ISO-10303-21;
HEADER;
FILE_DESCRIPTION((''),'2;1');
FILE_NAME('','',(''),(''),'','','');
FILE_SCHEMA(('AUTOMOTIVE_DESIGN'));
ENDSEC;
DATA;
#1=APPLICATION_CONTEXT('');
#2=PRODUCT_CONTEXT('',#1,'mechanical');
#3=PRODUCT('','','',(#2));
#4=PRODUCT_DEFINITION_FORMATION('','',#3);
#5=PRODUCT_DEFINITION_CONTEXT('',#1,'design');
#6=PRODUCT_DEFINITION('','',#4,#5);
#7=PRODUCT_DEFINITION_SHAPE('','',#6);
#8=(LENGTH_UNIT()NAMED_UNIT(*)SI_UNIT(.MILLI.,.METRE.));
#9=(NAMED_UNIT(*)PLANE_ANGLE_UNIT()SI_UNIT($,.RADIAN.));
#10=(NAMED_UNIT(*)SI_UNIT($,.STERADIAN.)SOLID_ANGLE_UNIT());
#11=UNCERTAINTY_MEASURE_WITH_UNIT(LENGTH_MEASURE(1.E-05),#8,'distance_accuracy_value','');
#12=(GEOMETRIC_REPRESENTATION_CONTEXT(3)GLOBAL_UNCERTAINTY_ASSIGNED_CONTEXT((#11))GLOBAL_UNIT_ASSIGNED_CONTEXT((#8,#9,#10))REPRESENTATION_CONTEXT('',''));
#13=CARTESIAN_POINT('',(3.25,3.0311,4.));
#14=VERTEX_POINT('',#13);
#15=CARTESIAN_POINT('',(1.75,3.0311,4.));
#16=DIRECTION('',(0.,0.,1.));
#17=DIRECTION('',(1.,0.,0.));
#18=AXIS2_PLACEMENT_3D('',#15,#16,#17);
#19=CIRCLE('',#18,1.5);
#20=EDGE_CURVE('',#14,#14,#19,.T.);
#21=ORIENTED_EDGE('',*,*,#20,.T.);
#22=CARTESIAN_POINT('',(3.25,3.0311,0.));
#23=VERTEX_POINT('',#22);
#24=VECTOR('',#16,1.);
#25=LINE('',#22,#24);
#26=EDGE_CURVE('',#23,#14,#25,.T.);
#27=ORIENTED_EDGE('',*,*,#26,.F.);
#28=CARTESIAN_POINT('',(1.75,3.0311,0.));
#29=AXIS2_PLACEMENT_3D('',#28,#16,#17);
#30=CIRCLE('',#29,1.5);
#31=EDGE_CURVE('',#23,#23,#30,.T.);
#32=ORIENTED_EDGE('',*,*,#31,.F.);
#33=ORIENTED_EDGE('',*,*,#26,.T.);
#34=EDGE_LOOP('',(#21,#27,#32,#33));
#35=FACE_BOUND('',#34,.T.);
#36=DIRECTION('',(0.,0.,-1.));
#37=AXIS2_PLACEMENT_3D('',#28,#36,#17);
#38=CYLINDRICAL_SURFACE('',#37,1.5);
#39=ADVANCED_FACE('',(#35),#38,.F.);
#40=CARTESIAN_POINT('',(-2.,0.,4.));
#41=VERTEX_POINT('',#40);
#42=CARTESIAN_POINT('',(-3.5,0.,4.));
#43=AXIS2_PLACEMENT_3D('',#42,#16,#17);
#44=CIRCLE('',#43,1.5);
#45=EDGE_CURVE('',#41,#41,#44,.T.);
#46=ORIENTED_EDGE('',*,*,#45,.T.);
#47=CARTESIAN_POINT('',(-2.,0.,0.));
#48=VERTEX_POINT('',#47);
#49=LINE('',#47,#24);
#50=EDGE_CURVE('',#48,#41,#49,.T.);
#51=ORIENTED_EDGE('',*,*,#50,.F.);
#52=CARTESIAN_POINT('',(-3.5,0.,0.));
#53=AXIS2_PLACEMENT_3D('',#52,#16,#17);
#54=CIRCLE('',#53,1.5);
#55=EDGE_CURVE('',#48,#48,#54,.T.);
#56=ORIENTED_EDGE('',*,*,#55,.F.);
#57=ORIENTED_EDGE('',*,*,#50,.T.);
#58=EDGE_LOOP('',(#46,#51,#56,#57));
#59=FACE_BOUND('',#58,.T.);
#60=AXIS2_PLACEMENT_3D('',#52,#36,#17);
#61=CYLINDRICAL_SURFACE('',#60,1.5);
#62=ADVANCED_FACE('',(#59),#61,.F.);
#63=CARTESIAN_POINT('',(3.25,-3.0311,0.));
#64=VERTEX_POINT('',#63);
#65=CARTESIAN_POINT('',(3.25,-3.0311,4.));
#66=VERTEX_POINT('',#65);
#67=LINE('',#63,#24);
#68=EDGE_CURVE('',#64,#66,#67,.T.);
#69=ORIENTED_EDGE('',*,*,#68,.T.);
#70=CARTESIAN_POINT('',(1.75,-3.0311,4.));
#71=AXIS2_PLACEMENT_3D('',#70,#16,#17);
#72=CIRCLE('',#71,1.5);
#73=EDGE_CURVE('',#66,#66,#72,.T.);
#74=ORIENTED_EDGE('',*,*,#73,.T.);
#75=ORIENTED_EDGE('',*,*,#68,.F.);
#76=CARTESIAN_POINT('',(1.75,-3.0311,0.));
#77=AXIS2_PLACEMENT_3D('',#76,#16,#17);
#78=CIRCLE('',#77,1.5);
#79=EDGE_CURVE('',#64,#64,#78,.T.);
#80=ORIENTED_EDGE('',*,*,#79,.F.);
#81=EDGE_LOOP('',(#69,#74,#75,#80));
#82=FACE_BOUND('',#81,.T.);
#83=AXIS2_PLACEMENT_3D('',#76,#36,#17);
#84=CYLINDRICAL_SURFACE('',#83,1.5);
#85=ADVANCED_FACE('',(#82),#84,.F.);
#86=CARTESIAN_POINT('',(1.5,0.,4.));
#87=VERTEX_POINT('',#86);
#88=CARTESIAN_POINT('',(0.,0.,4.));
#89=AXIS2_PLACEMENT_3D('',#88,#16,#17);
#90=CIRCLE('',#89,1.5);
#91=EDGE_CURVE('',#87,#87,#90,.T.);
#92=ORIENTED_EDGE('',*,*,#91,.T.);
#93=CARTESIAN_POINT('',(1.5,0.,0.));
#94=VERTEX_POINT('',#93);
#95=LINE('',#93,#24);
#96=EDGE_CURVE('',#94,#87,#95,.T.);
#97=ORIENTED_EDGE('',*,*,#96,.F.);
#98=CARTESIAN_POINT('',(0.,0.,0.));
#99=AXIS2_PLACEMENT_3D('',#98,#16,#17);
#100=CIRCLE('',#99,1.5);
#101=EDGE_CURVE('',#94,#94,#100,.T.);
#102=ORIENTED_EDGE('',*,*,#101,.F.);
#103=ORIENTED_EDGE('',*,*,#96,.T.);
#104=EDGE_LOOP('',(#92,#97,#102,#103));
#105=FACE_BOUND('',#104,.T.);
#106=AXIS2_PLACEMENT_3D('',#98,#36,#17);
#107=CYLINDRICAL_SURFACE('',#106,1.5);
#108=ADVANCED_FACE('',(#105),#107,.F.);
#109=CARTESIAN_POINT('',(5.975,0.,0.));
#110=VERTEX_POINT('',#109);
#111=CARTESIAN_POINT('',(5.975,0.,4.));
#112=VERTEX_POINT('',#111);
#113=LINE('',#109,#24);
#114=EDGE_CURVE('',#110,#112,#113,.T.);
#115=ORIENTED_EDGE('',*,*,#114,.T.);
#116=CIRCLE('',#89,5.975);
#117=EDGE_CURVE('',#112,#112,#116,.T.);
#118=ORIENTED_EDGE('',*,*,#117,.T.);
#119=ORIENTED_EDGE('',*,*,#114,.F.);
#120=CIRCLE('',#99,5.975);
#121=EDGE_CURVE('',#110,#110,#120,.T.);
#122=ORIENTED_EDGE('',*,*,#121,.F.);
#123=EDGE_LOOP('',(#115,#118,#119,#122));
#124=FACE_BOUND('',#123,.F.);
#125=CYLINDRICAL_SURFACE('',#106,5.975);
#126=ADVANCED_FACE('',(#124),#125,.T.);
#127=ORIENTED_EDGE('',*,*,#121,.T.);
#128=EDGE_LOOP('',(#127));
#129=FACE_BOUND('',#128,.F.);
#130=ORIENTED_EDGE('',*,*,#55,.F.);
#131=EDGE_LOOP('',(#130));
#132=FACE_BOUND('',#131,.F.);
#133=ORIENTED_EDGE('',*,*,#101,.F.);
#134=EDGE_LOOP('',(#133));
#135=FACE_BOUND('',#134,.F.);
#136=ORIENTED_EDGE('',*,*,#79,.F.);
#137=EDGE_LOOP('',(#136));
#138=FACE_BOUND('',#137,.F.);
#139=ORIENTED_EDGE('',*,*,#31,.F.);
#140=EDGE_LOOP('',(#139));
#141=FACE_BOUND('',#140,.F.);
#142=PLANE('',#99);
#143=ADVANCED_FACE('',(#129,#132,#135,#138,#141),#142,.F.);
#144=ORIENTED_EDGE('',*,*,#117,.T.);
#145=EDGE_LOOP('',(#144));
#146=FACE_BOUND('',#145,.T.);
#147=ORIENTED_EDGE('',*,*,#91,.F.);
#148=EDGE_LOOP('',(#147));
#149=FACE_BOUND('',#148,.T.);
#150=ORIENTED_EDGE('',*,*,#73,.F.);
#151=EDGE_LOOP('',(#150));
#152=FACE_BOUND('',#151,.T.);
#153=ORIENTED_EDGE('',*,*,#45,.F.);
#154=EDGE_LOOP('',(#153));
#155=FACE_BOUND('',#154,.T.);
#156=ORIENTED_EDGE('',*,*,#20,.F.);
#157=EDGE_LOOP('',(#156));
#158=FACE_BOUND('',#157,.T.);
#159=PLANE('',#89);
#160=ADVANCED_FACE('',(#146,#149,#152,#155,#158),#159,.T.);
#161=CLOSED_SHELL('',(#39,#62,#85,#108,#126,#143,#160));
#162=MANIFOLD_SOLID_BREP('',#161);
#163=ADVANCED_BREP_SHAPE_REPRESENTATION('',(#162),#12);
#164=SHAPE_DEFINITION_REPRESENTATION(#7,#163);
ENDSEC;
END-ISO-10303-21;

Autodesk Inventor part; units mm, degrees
ref_plane "YZ Plane" through (0, 0, 0) normal (1, 0, 0) x (0, 1, 0)
ref_plane "XZ Plane" through (0, 0, 0) normal (0, 1, 0) x (-1, 0, 0)
ref_plane "XY Plane" through (0, 0, 0) normal (0, 0, 1) x (1, 0, 0)
sketch "スケッチ1" plane through (0, 0, 0) normal (0, 0, 1) x (1, 0, 0)
  circle A0 centre (0, 0) radius 1.5
  circle A1 centre (1.75, 3.0311) radius 1.5
  circle A2 centre (-3.5, 0) radius 1.5
  circle A3 centre (1.75, -3.0311) radius 1.5
  circle A4 centre (0, 0) radius 5.975
  circle A5 centre (0, 0) radius 1.25 construction
  line L0 (-3.5, 0) -> (1.75, 3.0311) construction
  line L1 (1.75, 3.0311) -> (1.75, -3.0311) construction
  line L2 (1.75, -3.0311) -> (-3.5, 0) construction
  line L3 (0, 0) -> (3.1471, 0) construction
  circle A6 centre (0, 0) radius 3.5 construction
  dimension "d0" = 11.95
  dimension "d1" = 3
  dimension "d2" = 3
  dimension "d3" = 3.5
extrude "押し出し1" add sketch "スケッチ1" along normal blind 4
equation "\"d1\" = d2"
equation "\"d3\" = d5"
equation "\"d5\" = d6"
equation "\"d6\" = 3.5"
properties part number "原動節-ヘッケン接続部v2" material "アルミニウム 2014-T4"
